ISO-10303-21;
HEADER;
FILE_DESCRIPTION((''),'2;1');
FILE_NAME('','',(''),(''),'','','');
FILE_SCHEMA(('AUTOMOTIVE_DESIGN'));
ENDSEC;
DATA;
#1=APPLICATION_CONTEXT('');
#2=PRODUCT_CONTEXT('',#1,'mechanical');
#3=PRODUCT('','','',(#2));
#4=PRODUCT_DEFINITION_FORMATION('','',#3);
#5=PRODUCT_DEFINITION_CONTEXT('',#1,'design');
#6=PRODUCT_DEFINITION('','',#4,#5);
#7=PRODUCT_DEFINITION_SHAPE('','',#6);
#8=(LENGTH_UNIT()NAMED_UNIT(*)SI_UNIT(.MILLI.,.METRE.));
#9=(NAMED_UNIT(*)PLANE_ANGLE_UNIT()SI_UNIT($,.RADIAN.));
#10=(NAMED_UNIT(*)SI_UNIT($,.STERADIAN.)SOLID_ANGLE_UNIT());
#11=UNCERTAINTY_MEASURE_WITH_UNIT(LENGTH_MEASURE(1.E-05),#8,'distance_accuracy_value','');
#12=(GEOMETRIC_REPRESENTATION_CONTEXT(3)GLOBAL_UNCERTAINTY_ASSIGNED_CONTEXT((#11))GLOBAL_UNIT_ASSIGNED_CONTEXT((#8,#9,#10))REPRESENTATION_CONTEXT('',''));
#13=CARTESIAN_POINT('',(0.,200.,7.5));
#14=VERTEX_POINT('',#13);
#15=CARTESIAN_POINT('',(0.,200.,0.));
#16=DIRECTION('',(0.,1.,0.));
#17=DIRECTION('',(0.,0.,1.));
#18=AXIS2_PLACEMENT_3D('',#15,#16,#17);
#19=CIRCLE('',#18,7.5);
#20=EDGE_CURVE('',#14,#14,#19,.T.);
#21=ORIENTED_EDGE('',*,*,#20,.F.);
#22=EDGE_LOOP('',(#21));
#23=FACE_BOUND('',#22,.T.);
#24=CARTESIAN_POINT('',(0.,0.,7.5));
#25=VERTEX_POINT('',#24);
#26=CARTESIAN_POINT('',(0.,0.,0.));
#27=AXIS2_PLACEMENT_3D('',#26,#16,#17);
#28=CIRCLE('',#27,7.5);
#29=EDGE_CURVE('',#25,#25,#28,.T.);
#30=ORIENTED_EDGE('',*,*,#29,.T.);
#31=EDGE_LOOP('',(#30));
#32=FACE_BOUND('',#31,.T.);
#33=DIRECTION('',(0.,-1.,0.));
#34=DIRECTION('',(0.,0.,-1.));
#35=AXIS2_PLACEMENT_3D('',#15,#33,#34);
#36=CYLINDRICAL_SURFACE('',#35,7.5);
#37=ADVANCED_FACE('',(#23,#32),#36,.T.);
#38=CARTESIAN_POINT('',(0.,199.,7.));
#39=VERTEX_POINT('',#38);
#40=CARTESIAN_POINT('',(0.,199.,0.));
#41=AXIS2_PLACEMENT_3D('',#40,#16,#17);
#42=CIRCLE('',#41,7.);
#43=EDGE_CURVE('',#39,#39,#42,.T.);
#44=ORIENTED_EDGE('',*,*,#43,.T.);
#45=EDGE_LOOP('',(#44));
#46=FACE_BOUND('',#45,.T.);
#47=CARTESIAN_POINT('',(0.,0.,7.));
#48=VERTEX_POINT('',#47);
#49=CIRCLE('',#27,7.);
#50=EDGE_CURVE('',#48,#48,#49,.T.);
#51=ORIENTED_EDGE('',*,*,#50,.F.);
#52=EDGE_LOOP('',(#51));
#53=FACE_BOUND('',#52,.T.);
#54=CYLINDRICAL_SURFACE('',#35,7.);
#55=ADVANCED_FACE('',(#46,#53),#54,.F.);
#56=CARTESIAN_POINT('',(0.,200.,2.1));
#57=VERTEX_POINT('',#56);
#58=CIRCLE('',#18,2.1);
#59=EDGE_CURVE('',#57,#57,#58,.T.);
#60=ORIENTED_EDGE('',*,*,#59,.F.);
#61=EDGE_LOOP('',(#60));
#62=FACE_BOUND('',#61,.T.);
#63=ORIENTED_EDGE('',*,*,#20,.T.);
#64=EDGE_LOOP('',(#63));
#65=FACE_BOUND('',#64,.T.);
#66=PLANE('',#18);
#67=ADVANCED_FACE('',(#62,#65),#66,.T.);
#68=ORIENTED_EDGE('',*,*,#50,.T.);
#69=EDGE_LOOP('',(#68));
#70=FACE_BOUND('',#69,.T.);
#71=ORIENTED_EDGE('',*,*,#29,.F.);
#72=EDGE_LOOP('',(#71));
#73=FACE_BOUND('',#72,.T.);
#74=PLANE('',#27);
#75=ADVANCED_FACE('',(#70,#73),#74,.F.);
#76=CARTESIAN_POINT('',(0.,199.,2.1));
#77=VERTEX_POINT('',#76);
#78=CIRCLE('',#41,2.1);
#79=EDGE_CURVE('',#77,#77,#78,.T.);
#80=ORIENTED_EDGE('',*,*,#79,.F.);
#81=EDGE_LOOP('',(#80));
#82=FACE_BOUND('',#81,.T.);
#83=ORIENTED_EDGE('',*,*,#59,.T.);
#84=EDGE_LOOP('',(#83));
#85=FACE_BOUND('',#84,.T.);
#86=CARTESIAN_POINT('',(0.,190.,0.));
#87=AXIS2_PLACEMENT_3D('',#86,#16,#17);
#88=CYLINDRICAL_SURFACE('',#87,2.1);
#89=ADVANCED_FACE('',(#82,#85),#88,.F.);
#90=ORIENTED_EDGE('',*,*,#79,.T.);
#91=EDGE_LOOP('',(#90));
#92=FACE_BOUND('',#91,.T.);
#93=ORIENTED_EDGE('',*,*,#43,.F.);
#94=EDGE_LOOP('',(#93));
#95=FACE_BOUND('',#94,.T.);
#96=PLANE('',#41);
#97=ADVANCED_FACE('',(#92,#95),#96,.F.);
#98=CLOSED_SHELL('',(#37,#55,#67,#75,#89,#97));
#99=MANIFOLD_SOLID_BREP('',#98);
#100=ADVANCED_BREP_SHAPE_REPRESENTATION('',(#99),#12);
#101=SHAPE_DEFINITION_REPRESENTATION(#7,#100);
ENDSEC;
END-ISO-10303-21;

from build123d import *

# Parameters (mm, degrees)
SKETCH_1_R          = 7.5
SKETCH_1_R_2        = 7
EXTRUDE_1_DEPTH     = 200
EXTRUDE_START       = -1
SKETCH_2_R          = 7
EXTRUDE_2_DEPTH     = 1
SKETCH_3_R          = 2.1
CUT_EXTRUDE_1_DEPTH = 10


with BuildPart() as part:
    # 草图1 → 凸台-拉伸1 (new body)
    with BuildSketch(Plane(origin=(0, 0, 0), x_dir=(1, 0, 0), z_dir=(0, 1, 0))):
        with Locations(Location((0, 0, 0), (0, 0, 270))):
            Circle(SKETCH_1_R)
        with Locations(Location((0, 0, 0), (0, 0, 270))):
            Circle(SKETCH_1_R_2, mode=Mode.SUBTRACT)
    extrude(amount=EXTRUDE_1_DEPTH)

    # 草图2 → 凸台-拉伸2 (add)
    with BuildSketch(Plane(origin=(0, 200, 0), x_dir=(1, 0, 0), z_dir=(0, 1, 0)).offset(EXTRUDE_START)):
        with Locations(Location((0, 0, 0), (0, 0, 270))):
            Circle(SKETCH_2_R)
    extrude(amount=EXTRUDE_2_DEPTH)

    # 草图3 → 切除-拉伸1 (cut)
    with BuildSketch(Plane(origin=(0, 200, 0), x_dir=(1, 0, 0), z_dir=(0, 1, 0))):
        with Locations(Location((0, 0, 0), (0, 0, 270))):
            Circle(SKETCH_3_R)
    extrude(amount=-CUT_EXTRUDE_1_DEPTH, mode=Mode.SUBTRACT)


solid = part.part
